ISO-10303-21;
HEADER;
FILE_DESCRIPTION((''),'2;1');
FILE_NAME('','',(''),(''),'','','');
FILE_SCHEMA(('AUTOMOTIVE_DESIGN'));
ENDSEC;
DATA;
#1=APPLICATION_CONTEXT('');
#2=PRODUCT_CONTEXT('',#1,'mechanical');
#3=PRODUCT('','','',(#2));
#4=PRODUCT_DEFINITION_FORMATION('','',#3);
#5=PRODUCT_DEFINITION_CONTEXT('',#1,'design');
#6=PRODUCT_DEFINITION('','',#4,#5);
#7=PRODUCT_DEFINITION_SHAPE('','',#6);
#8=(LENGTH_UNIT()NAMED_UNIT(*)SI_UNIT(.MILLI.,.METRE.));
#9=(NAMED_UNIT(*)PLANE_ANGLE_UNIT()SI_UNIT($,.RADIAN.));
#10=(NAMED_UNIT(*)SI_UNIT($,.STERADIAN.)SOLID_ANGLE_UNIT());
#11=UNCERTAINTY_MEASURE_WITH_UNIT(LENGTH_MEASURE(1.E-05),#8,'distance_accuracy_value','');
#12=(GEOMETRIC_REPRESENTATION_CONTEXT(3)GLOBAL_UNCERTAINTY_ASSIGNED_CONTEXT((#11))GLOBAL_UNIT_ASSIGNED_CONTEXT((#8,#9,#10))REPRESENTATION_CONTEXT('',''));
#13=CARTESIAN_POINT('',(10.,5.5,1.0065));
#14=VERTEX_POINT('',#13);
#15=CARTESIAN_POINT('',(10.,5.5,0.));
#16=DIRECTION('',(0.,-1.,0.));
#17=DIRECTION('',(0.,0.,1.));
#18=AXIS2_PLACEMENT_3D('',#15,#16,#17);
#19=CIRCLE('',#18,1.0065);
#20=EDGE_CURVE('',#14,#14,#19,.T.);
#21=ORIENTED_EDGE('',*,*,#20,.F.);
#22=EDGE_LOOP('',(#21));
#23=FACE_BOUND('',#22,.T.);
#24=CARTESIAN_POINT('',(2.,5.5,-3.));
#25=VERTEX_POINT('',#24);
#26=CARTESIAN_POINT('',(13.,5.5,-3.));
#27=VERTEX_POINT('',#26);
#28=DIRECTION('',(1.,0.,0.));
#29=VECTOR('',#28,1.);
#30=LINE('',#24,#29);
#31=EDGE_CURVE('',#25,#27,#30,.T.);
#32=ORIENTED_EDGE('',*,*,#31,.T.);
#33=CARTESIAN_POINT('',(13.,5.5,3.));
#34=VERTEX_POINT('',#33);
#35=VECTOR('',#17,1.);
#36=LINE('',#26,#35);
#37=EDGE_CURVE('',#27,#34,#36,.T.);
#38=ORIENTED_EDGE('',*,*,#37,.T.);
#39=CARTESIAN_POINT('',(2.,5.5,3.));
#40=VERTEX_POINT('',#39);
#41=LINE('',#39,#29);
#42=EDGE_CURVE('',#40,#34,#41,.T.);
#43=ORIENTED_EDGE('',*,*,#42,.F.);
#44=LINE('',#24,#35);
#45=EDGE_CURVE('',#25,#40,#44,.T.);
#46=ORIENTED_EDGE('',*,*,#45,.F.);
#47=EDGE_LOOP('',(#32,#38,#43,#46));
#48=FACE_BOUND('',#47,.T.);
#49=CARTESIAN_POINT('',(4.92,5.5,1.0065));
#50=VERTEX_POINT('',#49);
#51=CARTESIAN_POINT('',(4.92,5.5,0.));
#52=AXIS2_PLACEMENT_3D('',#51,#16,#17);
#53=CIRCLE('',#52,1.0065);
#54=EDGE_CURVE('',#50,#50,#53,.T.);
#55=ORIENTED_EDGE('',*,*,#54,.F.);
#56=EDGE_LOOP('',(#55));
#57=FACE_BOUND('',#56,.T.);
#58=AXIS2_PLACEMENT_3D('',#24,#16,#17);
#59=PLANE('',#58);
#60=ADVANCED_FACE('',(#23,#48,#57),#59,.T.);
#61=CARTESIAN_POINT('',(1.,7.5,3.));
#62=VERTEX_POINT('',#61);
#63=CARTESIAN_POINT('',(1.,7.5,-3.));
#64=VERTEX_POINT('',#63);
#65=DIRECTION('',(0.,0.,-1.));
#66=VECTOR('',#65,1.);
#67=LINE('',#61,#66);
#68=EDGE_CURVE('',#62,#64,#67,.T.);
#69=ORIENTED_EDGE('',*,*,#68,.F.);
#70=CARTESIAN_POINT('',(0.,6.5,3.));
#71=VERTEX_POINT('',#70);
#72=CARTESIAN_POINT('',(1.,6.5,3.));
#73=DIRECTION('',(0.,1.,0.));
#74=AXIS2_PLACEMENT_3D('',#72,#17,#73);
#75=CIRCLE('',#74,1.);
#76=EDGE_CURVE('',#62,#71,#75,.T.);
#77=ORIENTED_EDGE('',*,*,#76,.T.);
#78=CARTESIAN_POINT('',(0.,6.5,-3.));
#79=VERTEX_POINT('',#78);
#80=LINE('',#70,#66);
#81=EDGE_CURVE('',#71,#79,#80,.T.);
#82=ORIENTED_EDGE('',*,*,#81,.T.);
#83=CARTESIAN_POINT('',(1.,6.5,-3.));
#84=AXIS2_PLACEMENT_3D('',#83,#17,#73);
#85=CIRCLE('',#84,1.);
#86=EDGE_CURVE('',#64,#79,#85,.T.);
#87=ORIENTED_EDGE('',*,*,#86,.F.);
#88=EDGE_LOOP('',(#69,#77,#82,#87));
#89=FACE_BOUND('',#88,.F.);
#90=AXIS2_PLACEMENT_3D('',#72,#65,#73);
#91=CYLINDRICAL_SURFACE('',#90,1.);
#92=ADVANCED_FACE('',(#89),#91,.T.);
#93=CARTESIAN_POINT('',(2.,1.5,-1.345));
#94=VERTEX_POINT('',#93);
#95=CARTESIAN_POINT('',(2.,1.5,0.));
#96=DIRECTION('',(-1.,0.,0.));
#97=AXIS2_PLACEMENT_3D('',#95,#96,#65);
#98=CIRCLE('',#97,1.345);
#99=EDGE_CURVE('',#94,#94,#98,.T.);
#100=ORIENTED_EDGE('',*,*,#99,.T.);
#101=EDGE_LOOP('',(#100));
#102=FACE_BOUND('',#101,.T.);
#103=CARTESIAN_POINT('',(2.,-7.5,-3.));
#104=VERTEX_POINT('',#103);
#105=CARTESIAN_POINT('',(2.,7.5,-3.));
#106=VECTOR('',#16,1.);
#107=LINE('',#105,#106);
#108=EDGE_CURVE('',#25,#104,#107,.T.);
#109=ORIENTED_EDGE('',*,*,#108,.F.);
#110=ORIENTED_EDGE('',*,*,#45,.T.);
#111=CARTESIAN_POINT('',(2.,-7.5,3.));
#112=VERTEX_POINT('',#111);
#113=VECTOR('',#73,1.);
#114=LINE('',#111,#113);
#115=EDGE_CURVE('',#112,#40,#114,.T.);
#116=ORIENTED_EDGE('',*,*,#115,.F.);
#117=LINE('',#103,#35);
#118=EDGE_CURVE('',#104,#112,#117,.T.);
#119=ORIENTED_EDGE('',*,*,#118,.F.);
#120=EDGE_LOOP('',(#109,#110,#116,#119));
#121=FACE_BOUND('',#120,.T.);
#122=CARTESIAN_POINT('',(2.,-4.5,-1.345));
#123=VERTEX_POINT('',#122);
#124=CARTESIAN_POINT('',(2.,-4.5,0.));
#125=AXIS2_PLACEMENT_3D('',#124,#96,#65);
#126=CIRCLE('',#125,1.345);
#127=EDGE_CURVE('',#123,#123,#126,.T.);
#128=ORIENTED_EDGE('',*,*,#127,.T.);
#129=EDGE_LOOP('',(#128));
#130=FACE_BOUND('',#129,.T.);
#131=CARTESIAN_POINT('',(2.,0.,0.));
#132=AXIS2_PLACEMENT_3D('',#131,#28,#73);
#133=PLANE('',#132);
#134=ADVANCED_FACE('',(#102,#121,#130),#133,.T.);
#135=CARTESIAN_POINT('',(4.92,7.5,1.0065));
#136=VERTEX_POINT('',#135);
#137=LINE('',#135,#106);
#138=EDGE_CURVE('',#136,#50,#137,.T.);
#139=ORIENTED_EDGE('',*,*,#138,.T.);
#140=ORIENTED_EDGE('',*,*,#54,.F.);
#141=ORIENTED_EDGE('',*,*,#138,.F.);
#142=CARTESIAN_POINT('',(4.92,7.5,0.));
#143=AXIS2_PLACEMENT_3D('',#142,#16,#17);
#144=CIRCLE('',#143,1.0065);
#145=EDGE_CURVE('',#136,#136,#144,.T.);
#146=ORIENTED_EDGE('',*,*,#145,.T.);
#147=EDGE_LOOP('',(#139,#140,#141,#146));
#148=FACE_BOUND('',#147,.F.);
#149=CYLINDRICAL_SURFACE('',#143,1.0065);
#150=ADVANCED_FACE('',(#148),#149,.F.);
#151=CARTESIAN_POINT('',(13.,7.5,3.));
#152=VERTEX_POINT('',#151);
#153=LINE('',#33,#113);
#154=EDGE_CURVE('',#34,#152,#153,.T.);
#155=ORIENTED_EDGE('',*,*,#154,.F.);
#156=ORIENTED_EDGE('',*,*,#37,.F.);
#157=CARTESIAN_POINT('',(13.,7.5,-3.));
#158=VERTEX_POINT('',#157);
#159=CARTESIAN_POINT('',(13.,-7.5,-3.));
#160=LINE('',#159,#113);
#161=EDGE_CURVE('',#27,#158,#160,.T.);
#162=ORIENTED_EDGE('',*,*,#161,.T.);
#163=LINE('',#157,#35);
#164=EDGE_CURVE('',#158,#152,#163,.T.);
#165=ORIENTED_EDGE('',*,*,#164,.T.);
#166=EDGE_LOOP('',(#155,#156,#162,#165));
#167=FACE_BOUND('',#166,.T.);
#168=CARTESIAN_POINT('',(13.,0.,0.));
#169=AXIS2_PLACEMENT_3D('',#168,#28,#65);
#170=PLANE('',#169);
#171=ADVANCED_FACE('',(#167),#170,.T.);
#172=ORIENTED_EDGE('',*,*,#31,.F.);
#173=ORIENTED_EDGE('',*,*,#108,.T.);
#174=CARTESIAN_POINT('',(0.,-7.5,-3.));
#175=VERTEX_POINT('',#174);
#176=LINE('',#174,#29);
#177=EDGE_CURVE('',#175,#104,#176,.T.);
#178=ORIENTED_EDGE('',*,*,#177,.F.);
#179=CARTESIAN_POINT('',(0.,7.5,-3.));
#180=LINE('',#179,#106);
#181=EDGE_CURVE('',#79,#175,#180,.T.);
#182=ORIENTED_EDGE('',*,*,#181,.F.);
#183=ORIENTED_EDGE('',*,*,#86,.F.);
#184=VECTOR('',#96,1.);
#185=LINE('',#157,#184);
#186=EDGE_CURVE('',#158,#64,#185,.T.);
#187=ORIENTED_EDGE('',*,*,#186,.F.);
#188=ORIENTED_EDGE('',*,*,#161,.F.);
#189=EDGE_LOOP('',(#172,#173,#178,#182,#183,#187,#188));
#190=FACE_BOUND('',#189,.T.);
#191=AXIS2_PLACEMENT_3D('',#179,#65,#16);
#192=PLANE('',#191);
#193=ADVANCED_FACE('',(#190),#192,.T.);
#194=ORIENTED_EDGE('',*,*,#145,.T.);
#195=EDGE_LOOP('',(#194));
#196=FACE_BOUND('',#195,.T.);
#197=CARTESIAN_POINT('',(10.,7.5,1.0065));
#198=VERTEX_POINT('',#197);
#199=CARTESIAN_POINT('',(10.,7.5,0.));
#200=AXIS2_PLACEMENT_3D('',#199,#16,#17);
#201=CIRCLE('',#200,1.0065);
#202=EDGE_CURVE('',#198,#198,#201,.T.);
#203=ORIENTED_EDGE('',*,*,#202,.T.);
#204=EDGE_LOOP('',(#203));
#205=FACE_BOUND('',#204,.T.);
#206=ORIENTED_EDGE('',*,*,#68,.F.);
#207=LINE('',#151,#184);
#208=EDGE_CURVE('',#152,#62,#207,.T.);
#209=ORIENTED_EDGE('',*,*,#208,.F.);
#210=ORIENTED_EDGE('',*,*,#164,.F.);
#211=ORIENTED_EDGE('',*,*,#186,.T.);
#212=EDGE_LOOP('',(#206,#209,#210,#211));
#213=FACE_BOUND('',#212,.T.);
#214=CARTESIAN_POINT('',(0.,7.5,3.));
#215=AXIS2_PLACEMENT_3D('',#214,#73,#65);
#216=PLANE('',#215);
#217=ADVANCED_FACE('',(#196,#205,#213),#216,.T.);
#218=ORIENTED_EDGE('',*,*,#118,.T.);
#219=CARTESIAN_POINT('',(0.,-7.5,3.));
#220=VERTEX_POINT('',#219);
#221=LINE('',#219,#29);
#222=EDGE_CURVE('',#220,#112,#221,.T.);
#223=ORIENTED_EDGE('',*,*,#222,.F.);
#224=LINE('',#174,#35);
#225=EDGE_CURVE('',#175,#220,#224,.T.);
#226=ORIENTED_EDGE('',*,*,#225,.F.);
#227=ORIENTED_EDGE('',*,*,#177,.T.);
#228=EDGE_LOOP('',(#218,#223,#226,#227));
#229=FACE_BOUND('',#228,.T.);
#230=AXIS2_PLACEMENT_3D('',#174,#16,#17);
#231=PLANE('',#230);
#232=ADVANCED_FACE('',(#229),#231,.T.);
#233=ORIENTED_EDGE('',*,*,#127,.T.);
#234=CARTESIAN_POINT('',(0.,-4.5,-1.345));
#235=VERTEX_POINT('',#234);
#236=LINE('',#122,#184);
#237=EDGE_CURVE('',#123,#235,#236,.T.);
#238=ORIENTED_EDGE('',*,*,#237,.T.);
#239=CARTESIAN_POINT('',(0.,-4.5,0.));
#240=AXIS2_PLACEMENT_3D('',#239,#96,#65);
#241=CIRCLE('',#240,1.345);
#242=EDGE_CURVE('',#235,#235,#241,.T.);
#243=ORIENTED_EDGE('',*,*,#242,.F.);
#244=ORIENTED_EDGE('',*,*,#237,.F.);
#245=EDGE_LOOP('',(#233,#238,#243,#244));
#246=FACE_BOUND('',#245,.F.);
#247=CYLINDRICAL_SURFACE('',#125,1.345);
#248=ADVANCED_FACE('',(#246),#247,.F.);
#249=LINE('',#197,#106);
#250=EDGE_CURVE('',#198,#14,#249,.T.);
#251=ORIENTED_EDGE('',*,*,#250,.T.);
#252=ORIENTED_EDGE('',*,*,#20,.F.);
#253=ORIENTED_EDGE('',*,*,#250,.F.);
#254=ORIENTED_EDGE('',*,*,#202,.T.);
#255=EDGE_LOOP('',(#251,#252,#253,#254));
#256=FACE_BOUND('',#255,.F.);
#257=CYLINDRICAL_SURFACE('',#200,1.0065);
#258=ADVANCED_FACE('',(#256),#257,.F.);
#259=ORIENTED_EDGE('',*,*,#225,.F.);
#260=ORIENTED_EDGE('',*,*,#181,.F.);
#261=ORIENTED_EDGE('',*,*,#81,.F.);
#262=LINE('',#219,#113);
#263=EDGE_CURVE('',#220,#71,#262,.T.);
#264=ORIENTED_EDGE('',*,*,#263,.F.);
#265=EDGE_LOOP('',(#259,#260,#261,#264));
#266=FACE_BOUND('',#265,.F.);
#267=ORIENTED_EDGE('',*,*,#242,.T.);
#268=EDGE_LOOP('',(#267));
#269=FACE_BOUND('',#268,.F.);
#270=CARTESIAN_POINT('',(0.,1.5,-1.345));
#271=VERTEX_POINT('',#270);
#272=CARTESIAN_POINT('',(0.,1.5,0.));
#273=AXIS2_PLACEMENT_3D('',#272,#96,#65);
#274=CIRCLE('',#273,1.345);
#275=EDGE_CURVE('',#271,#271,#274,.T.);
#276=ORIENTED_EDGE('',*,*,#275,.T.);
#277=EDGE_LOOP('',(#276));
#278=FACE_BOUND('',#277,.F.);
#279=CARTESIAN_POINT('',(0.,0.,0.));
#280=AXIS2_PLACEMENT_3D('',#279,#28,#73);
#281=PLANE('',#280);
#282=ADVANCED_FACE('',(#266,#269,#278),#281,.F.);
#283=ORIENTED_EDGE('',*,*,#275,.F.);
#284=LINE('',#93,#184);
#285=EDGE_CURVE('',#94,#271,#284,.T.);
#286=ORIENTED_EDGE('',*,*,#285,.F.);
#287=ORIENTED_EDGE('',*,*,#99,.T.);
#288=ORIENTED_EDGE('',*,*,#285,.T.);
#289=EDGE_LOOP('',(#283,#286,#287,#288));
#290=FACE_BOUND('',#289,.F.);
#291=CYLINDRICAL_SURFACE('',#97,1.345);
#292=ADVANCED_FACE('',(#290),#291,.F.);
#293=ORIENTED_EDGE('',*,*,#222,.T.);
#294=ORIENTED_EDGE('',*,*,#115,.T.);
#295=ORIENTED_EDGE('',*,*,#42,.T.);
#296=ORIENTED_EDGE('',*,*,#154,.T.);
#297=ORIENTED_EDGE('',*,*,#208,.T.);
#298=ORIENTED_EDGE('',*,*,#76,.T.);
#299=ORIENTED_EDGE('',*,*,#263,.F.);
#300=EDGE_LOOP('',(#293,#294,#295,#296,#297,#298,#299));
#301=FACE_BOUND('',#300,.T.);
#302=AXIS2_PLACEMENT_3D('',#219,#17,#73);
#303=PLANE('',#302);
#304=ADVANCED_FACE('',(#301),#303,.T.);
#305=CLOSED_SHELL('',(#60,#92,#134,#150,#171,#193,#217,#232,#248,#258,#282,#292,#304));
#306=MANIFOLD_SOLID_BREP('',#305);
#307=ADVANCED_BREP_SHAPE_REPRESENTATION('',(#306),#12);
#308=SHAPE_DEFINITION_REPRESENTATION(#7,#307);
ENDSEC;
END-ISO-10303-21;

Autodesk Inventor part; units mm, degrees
ref_plane "YZ Plane" through (0, 0, 0) normal (1, 0, 0) x (0, 1, 0)
ref_plane "XZ Plane" through (0, 0, 0) normal (0, 1, 0) x (-1, 0, 0)
ref_plane "XY Plane" through (0, 0, 0) normal (0, 0, 1) x (1, 0, 0)
sketch "Sketch1" plane through (0, 0, 0) normal (1, 0, 0) x (0, 1, 0)
  line L0 (-7.5, 3) -> (7.5, 3)
  line L1 (7.5, 3) -> (7.5, -3)
  line L2 (7.5, -3) -> (-7.5, -3)
  line L3 (-7.5, -3) -> (-7.5, 3)
  line L4 (-7.5, 3) -> (7.5, -3) construction
  line L5 (7.5, 3) -> (-7.5, -3) construction
  point P0 (0, 0)
  dimension "d0" = 15
  dimension "d1" = 6
extrude "Extrusion1" add sketch "Sketch1" along normal blind 2
sketch "Sketch2" plane through (2, 0, 0) normal (1, 0, 0) x (0, 0, -1)
  line L0 (3, 7.5) -> (-3, 7.5) projected
  line L1 (3, -7.5) -> (3, 7.5) projected
  line L2 (-3, 7.5) -> (3, 7.5)
  line L3 (3, 7.5) -> (3, 5.5)
  line L4 (3, 5.5) -> (-3, 5.5)
  line L5 (-3, 5.5) -> (-3, 7.5)
  point P0 (0, 0)
  dimension "d4" = 2
extrude "Extrusion2" add sketch "Sketch2" along normal blind 11
fillet "Fillet1" radius 1 1 edges at (0, 7.5, 0)
sketch "Sketch3" plane through (13, 7.5, 3) normal (0, 1, 0) x (1, 0, 0)
  line L0 (0, 6) -> (0, 0) construction
  line L1 (0, 3) -> (-12, 3) construction
  line L2 (-12, 0) -> (-12, 6) construction
  point P0 (-13, 3)
  point P1 (-8.08, 3)
  point P2 (-3, 3)
  dimension "d8" = 5.08
  dimension "d9" = 3
hole "Hole1" at (4.92, 7.5, 0) at (10, 7.5, 0) direction (0, -1, 0) diameter 2.013 end through all thread size "M2.5x0.45" class "6H" standard "ISO Metric profile"
sketch "Sketch4" plane through (2, 0, 0) normal (1, 0, 0) x (0, 0, -1)
  line L0 (-3, -7.5) -> (3, -7.5) construction
  line L1 (0, -7.5) -> (0, 5.5) construction
  line L2 (-3, 5.5) -> (3, 5.5) construction
  line L3 (3, 7.5) -> (-3, 7.5) construction
  point P0 (0, 0)
  point P1 (0, 1.5)
  point P2 (0, -4.5)
  dimension "d17" = 6
  dimension "d18" = 6
hole "Hole2" at (2, 1.5, 0) at (2, -4.5, 0) direction (-1, 0, 0) diameter 2.69 end through all
properties part number "bracket"
